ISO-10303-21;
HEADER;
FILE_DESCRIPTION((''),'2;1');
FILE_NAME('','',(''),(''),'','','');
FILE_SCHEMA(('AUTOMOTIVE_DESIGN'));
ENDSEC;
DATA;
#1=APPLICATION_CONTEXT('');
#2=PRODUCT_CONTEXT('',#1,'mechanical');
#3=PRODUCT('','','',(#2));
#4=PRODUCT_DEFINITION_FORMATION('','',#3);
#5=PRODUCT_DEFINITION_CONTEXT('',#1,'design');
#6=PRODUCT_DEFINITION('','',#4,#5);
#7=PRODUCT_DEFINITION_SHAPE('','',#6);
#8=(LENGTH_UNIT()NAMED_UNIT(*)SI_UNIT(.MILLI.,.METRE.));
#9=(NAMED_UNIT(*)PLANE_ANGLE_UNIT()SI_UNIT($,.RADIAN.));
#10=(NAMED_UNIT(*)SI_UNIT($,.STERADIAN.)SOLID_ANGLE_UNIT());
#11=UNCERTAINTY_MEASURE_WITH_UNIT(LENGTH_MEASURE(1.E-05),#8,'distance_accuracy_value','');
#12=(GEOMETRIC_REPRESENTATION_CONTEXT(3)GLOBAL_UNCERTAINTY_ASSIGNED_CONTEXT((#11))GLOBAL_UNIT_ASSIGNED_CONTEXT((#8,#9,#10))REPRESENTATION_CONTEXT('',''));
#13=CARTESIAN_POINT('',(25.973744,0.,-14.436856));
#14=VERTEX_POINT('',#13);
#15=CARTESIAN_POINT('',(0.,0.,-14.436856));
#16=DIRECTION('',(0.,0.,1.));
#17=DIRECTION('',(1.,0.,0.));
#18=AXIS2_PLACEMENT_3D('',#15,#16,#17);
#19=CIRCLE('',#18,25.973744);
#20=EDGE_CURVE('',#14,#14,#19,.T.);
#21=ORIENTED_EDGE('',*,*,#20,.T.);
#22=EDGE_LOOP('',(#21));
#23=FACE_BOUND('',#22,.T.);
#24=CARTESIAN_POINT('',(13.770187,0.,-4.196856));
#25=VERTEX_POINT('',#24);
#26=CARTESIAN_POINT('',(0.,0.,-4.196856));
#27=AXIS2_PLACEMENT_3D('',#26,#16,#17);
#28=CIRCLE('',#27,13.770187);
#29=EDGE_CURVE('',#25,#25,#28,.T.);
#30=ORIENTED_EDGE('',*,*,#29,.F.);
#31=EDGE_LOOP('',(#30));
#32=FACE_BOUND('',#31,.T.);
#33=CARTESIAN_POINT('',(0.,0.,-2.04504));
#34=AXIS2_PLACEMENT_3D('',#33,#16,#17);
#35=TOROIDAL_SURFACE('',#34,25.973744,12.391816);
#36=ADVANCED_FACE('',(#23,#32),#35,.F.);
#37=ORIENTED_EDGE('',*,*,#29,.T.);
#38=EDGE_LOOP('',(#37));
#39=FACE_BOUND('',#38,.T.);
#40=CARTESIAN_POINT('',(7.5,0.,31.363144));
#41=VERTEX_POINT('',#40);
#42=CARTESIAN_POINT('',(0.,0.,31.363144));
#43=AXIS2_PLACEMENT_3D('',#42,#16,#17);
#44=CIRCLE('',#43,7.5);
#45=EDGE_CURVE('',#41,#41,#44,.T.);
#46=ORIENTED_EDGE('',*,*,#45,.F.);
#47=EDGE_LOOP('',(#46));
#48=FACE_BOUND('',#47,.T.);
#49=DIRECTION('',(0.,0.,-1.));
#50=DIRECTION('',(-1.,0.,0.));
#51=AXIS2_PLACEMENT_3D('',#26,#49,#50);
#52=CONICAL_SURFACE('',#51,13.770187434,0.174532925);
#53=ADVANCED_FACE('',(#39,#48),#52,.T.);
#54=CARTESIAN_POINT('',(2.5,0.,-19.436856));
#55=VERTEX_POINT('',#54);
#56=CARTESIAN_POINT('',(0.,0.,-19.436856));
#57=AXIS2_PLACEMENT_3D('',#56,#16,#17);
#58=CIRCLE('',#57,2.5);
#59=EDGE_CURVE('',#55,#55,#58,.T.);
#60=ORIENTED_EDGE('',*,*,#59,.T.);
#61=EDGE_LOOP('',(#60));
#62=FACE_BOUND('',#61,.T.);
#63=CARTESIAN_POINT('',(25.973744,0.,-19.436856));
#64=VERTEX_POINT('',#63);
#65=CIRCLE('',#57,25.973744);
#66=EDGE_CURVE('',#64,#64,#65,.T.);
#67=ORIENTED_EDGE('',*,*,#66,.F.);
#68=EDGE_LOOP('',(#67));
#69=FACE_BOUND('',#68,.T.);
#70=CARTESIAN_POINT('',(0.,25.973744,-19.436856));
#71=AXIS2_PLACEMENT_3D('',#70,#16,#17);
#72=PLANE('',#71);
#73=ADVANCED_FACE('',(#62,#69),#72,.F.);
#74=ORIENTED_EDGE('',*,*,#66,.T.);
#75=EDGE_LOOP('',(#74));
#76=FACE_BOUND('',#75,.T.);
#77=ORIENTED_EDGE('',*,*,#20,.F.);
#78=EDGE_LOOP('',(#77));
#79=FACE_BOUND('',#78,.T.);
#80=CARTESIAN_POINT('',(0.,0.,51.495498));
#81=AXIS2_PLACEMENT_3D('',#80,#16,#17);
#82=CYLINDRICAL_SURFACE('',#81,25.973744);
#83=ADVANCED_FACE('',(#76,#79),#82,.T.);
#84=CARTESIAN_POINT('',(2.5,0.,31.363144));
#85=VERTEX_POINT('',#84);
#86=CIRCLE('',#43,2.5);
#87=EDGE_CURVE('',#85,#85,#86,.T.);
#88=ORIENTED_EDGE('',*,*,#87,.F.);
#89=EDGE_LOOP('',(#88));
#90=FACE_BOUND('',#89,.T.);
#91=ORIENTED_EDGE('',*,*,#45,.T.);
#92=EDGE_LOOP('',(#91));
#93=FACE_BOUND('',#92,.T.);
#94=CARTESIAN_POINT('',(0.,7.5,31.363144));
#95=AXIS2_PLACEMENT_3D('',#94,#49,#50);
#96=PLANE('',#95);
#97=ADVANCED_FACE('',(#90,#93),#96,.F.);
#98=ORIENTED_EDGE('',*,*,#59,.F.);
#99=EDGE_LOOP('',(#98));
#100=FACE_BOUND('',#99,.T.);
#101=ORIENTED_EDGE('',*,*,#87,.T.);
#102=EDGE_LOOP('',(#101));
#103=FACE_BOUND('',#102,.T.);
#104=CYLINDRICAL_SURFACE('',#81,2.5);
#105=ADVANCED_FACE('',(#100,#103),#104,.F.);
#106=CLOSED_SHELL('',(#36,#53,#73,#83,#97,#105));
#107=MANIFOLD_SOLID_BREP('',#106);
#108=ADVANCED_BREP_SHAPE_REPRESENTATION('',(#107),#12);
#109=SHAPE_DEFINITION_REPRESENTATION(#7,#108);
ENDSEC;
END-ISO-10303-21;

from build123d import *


with BuildPart() as part:
    # Sketch1 → Revolve1 (revolve)
    with BuildSketch(Plane(origin=(0, 0, 0), x_dir=(0, 0, -1), z_dir=(1, 0, 0)), mode=Mode.PRIVATE) as revolve1_sk:
        with BuildLine():
            Line((-31.363143696, 2.5), (19.436856304, 2.5))
            Line((19.436856304, 2.5), (19.436856304, 25.973744222))
            Line((19.436856304, 25.973744222), (14.436856304, 25.973744222))
            ThreePointArc((14.436856304, 25.973744222), (11.537722016, 18.008438229), (4.196856304, 13.770187434))
            Line((4.196856304, 13.770187434), (-31.363143696, 7.5))
            Line((-31.363143696, 7.5), (-31.363143696, 2.5))
        make_face()
    revolve(revolve1_sk.sketch.rotate(Axis((0, 0, 51.495497957), (0, 0, -1)), 90), axis=Axis((0, 0, 51.495497957), (0, 0, -1)))


solid = part.part
